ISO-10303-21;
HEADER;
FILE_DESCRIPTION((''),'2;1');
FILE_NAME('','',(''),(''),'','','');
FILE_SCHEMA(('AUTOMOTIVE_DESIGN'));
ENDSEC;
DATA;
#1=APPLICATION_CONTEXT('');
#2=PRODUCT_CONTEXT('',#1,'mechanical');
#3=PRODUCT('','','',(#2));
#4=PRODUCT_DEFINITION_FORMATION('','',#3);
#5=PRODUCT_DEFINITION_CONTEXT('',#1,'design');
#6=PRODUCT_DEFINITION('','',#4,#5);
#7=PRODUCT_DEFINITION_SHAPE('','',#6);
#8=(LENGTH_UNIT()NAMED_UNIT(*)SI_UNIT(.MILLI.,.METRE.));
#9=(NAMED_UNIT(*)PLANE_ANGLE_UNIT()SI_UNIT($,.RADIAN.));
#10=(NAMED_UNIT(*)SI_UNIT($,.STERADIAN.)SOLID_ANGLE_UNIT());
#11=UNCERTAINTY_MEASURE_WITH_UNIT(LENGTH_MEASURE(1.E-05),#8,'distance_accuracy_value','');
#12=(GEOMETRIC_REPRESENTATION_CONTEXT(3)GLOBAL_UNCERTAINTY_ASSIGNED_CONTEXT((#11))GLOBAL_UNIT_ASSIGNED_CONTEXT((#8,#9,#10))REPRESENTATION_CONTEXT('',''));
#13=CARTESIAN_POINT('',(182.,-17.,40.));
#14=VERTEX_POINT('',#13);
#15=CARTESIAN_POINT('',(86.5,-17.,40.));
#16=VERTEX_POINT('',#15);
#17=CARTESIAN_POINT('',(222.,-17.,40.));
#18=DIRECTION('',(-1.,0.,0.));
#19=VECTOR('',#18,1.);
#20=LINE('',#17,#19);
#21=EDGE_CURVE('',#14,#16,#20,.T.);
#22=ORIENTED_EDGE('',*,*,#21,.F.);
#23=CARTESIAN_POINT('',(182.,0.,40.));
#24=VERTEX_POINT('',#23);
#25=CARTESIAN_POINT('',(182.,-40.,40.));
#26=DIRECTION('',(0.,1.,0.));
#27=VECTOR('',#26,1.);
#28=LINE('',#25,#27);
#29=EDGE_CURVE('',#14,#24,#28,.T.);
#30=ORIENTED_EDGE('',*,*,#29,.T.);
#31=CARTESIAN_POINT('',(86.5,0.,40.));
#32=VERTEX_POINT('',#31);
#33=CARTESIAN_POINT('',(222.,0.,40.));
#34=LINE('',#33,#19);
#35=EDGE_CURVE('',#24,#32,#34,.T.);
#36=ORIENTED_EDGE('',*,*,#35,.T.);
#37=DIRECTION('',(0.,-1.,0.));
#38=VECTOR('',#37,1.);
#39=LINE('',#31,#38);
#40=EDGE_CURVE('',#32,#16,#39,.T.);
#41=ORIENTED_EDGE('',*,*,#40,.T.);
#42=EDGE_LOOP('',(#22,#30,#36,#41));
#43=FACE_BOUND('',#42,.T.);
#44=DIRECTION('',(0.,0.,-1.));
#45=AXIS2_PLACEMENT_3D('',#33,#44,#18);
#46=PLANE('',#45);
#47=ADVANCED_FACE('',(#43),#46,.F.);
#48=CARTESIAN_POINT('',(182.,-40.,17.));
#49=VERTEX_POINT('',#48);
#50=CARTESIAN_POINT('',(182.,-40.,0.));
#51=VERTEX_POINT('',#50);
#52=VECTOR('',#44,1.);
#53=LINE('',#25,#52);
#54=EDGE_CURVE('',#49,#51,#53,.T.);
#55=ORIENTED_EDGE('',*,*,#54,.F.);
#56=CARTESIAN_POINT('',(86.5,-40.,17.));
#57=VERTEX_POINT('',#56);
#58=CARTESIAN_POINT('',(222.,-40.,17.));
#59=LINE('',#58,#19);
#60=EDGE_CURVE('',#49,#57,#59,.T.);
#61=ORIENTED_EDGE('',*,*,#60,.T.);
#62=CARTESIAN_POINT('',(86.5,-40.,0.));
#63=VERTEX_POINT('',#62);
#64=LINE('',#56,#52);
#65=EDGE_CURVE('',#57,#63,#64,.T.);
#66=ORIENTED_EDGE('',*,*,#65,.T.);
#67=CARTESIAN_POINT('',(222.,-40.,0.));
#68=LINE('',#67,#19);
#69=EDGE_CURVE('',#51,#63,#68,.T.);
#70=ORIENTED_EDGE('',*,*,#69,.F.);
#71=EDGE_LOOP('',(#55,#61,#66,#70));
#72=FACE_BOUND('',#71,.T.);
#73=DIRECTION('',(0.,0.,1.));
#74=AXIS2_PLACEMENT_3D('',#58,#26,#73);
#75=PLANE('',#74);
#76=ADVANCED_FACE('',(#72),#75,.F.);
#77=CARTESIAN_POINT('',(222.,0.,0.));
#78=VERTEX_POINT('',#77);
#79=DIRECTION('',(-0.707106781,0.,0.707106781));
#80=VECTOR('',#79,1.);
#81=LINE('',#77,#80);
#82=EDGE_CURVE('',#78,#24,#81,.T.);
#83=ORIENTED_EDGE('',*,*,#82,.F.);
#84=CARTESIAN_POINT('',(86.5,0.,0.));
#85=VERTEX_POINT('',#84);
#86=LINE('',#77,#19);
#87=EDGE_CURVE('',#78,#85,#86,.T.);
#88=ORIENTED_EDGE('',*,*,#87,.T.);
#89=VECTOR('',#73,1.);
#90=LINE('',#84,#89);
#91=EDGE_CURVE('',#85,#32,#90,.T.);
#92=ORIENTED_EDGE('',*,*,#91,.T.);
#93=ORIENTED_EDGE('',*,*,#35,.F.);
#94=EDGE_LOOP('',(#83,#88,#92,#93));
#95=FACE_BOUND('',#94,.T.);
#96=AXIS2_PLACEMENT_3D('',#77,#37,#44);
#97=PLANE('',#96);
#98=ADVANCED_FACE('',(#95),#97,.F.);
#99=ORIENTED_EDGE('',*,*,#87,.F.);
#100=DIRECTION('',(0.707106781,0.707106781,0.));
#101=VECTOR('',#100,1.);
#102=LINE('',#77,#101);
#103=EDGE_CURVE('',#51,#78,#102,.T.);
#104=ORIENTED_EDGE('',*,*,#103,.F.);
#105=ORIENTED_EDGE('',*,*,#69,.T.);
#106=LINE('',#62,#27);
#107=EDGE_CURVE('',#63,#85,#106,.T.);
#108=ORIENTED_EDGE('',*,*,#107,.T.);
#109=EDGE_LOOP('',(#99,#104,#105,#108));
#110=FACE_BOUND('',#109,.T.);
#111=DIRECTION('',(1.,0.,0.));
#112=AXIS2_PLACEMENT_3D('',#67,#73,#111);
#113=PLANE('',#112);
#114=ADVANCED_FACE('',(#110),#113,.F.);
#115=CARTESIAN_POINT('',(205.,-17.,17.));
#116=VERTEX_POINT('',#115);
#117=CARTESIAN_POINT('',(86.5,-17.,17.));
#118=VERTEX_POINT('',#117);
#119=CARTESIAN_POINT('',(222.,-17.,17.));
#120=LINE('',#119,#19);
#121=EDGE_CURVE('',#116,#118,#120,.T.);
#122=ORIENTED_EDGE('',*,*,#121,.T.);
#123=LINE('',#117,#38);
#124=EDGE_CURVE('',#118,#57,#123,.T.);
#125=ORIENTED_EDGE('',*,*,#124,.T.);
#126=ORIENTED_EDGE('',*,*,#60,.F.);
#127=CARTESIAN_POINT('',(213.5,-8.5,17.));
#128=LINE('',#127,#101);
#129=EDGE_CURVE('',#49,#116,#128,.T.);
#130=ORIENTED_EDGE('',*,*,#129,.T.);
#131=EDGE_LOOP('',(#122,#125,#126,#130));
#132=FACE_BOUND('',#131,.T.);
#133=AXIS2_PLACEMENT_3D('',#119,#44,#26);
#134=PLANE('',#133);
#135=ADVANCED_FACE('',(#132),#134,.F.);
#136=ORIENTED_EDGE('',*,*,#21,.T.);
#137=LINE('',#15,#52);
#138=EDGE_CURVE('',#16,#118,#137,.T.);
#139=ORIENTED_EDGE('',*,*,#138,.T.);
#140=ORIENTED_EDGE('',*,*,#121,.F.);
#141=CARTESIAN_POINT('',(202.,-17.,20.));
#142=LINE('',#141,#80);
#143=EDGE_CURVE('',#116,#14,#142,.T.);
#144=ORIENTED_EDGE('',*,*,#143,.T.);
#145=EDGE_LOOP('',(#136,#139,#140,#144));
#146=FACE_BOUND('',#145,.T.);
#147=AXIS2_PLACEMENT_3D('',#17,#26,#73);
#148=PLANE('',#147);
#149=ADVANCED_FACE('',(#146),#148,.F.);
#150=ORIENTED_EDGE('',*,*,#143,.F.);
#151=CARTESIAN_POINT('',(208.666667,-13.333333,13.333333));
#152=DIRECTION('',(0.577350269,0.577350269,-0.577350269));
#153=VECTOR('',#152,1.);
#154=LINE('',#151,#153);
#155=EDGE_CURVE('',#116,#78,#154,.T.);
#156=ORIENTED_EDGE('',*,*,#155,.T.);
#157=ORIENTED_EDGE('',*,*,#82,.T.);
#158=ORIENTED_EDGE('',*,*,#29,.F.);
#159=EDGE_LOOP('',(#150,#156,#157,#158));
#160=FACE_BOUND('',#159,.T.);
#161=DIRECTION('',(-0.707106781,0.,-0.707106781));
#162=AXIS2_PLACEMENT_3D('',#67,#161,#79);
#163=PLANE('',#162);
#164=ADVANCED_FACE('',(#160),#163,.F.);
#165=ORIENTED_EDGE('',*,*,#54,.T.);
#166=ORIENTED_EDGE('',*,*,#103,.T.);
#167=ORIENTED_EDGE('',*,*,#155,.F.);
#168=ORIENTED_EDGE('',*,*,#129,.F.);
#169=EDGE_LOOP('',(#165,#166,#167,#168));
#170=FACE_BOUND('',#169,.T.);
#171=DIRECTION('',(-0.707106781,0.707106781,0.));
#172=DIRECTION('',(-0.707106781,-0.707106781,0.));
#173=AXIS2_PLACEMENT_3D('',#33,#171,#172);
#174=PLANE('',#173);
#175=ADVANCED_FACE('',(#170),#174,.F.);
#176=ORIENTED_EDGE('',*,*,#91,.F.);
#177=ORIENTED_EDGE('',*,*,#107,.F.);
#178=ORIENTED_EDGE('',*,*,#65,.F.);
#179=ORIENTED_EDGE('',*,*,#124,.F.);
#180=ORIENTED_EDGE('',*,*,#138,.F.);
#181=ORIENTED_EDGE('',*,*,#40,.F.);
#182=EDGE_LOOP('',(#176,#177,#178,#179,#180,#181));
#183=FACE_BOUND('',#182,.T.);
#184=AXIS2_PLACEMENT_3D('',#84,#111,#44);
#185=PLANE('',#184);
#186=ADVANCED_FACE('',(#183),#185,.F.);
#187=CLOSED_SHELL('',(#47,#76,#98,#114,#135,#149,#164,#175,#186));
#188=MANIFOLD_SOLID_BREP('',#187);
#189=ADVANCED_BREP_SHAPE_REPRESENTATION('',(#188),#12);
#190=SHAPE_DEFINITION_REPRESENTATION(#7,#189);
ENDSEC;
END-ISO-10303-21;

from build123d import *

# Parameters (mm, degrees)
BOSS_EXTRU_1_START      = 86.5
BOSS_EXTRU_1_DEPTH      = 135.5
ENL_V_MAT_EXTRU_1_DEPTH = 41
ENL_V_MAT_EXTRU_2_DEPTH = 41


with BuildPart() as part:
    # Esquisse1 → Boss.-Extru.1 (new body)
    with BuildSketch(Plane(origin=(0, 0, 0), x_dir=(0, 0, -1), z_dir=(1, 0, 0)).offset(BOSS_EXTRU_1_START)):
        Polygon((0, 0), (-40, 0), (-40, -17), (-17, -17), (-17, -40), (0, -40), align=None)
    extrude(amount=BOSS_EXTRU_1_DEPTH)

    # Esquisse2 → Enlèv. mat.-Extru.1 (cut, through all)
    with BuildSketch(Plane(origin=(0, 0, 0), x_dir=(1, 0, 0), z_dir=(0, 1, 0))):
        Polygon((222, 0), (182, -40), (222, -40), align=None)
    extrude(amount=-ENL_V_MAT_EXTRU_1_DEPTH, mode=Mode.SUBTRACT)

    # Esquisse3 → Enlèv. mat.-Extru.2 (cut, through all)
    with BuildSketch(Plane(origin=(0, 0, 0), x_dir=(-1, 0, 0), z_dir=(0, 0, -1))):
        Polygon((-222, 0), (-182, -40), (-222, -40), align=None)
    extrude(amount=-ENL_V_MAT_EXTRU_2_DEPTH, mode=Mode.SUBTRACT)


solid = part.part
